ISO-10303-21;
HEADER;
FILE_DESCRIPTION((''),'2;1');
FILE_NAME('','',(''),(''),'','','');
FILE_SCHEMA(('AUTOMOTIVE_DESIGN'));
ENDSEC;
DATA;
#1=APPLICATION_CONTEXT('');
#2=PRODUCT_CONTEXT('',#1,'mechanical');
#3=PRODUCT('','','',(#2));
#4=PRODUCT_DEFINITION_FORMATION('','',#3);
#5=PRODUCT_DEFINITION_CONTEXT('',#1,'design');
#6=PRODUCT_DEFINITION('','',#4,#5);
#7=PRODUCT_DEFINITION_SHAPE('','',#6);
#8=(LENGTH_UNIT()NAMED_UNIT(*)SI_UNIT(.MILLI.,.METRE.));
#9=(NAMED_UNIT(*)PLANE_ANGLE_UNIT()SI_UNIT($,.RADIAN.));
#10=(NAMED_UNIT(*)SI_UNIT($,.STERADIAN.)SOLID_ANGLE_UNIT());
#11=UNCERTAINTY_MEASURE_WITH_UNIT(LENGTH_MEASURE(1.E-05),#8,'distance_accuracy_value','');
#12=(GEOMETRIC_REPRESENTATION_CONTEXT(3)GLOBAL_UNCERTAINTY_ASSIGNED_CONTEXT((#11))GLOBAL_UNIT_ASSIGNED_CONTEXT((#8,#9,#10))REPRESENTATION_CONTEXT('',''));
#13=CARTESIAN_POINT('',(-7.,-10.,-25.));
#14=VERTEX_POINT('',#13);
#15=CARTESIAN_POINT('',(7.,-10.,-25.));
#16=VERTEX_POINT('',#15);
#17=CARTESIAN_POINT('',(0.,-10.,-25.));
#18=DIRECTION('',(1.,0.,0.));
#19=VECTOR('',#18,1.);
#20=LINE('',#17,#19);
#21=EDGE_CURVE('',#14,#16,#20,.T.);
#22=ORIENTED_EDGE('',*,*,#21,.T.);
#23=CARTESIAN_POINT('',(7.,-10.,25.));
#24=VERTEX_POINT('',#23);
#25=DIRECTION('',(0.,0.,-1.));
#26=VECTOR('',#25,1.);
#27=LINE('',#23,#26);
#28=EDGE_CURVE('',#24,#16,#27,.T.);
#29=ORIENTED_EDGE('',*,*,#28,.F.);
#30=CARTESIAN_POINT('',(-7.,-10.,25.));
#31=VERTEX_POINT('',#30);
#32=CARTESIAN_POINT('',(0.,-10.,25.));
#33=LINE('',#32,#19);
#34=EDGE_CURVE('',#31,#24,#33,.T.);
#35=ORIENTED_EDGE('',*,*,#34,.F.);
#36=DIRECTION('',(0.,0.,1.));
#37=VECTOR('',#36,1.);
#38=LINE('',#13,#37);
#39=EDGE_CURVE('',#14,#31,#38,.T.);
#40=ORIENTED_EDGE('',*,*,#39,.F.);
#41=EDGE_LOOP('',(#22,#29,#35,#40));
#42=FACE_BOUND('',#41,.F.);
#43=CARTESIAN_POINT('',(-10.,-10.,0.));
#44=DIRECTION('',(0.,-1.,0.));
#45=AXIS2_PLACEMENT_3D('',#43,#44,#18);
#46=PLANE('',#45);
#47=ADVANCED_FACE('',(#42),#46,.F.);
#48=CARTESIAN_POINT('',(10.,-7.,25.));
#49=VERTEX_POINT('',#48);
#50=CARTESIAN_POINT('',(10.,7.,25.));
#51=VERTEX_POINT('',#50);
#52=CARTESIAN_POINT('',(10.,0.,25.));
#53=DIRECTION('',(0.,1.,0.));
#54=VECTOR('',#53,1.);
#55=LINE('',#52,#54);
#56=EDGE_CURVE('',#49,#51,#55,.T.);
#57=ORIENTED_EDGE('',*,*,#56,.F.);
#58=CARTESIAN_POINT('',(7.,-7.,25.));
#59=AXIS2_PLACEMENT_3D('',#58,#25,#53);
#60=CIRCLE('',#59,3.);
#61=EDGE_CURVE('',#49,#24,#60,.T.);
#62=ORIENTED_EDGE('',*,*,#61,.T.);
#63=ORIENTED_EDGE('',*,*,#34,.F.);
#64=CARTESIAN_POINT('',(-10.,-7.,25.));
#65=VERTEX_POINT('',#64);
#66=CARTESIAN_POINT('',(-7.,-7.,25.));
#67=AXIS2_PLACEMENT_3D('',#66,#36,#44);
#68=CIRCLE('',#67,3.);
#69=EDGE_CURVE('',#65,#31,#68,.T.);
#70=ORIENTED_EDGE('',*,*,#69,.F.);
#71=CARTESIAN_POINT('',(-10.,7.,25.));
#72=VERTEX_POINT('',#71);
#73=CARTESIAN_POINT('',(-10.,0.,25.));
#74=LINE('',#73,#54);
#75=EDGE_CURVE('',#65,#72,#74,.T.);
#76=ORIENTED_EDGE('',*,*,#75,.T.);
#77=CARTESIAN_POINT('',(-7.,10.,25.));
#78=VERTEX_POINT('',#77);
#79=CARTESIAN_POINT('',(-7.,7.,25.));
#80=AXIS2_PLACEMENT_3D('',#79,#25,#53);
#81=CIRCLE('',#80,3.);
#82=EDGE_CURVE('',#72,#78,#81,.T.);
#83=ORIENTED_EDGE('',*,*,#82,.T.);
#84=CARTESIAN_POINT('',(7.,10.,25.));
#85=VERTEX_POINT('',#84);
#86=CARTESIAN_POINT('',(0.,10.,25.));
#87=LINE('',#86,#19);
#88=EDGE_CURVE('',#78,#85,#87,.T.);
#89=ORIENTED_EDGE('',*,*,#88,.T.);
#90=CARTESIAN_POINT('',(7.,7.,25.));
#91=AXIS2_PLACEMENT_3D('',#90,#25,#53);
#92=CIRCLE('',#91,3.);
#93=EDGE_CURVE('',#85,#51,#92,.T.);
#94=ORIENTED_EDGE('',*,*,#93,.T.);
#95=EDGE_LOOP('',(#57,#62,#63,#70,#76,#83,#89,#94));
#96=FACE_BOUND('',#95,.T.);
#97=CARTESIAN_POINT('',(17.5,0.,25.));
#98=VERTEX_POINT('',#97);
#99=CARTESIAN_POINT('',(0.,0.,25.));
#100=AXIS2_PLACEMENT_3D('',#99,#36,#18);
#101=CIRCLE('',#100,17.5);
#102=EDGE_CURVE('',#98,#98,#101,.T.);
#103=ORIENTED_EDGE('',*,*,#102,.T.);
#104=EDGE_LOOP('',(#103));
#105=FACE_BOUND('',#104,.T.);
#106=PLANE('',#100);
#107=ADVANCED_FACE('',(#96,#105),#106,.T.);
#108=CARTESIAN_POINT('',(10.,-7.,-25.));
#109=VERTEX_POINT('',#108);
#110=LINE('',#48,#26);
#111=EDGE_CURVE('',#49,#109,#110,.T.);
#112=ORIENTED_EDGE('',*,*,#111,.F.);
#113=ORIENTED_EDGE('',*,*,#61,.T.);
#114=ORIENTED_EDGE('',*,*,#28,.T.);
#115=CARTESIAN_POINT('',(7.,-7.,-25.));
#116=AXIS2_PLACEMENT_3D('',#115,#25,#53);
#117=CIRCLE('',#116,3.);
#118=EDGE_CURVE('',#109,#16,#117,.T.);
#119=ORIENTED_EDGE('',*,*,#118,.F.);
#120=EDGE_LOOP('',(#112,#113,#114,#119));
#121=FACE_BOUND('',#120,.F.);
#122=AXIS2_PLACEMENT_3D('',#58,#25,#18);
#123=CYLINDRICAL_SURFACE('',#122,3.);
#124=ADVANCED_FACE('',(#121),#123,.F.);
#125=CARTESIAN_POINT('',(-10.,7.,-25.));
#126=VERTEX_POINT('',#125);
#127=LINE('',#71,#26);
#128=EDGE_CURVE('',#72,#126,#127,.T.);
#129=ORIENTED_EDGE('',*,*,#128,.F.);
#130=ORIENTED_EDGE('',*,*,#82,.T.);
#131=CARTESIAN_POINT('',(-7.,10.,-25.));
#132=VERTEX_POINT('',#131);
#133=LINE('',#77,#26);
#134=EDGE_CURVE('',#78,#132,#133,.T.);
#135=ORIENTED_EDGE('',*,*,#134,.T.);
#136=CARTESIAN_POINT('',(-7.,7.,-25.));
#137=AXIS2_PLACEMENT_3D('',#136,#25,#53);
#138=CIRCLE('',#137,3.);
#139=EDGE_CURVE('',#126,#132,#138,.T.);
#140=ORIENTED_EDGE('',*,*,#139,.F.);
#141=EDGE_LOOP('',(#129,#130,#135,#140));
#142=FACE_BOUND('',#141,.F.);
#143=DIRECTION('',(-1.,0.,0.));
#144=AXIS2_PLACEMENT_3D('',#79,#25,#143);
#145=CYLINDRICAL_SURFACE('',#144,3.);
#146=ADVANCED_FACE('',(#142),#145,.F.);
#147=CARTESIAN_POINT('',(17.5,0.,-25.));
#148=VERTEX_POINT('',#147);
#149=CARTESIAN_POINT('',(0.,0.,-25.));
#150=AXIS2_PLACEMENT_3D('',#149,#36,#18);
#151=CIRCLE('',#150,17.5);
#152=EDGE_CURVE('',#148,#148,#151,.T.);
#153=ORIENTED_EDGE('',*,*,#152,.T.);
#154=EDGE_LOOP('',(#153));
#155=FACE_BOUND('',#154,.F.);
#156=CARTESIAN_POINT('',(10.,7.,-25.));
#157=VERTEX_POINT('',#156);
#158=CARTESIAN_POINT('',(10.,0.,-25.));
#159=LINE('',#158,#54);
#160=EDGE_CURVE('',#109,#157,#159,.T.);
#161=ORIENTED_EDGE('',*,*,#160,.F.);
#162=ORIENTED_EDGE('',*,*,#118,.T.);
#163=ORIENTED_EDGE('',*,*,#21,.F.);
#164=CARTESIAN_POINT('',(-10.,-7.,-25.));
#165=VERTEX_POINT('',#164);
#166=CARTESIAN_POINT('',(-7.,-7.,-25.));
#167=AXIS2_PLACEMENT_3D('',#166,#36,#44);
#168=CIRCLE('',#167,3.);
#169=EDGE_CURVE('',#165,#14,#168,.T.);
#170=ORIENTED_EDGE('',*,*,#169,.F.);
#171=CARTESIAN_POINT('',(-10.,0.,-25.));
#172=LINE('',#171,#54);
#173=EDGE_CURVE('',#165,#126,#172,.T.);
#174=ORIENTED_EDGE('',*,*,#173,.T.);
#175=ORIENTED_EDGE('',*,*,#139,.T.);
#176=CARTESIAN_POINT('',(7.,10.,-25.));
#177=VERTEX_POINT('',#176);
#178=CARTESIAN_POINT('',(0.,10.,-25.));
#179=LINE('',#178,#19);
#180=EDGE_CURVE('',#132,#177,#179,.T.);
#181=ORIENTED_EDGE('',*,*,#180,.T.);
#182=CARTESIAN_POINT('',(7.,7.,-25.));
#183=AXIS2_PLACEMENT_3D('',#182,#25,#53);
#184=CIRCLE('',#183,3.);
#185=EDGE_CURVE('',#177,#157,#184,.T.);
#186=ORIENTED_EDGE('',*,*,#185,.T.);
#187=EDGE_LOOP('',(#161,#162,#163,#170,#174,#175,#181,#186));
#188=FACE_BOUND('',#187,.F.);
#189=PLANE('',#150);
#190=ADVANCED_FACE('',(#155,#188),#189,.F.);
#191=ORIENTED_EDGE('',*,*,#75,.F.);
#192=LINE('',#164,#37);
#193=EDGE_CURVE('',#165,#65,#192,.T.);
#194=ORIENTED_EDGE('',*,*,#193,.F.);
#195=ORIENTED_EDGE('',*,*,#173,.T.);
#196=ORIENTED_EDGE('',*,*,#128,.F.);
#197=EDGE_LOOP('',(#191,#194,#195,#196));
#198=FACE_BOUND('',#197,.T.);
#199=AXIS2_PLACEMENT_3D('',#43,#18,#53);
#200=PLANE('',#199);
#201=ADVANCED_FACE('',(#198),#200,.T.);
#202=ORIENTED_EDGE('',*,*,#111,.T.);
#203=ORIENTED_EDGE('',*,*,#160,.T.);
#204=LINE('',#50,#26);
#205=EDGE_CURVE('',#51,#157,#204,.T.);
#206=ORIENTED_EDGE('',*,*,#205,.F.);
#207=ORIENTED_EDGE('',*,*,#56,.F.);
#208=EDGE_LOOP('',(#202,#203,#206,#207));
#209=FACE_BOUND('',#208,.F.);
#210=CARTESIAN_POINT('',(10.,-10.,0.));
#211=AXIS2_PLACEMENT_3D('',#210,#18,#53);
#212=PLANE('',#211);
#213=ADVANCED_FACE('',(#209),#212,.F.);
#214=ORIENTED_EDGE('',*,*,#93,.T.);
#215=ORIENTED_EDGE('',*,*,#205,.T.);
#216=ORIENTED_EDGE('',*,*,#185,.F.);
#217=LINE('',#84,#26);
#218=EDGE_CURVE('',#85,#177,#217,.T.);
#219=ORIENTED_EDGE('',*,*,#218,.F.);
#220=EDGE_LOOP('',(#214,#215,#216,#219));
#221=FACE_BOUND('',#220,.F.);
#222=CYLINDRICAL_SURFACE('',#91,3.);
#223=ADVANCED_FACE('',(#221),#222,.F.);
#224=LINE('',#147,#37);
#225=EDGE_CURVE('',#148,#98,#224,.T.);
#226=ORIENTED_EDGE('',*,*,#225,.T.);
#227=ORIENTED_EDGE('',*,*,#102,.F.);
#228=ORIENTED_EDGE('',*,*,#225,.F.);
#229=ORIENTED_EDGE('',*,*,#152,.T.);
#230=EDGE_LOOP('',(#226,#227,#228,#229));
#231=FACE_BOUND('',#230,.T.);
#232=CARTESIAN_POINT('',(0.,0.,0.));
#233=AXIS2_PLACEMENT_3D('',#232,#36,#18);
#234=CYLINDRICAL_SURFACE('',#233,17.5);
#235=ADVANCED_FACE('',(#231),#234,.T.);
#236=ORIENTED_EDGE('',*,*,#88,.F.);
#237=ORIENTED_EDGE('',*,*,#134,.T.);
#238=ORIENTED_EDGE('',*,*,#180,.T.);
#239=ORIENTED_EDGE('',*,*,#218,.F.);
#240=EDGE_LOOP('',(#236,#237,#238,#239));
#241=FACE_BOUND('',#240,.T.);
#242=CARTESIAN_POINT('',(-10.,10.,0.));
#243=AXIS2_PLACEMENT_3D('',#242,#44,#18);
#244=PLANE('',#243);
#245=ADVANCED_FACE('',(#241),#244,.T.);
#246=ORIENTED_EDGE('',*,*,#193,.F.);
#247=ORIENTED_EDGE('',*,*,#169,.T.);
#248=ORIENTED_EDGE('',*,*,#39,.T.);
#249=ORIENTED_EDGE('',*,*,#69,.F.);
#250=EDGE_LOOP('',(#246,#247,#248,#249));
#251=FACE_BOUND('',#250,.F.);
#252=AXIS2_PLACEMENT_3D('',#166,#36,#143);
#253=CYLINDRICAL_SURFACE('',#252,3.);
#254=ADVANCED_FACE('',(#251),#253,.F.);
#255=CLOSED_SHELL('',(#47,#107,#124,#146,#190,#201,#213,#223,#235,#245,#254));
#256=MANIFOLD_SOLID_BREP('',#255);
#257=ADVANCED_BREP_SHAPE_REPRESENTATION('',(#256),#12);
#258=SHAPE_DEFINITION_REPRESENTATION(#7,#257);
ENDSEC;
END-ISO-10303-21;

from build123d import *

# Parameters (mm, degrees)
F0_R          = 17.5
F0_W          = 20
F0_H          = 20
F1_DEPTH      = 25
F1_DEPTH_BACK = 25
F2_R          = 3


with BuildPart() as f1:
    # F0 (on Top) → F1 (new body, two sides)
    with BuildSketch(Plane.XY) as f1_sk:
        Circle(F0_R)
        Rectangle(F0_W, F0_H, mode=Mode.SUBTRACT)
    extrude(amount=F1_DEPTH)
    extrude(f1_sk.sketch, amount=-F1_DEPTH_BACK)

    # F2
    f2_edges = [f1.edges().sort_by_distance(p)[0] for p in [
        (-10, 10, 12.5),
        (10, 10, 12.5),
        (-10, -10, 12.5),
        (10, -10, 12.5),
    ]]
    fillet(f2_edges, radius=F2_R)


solid = f1.part
